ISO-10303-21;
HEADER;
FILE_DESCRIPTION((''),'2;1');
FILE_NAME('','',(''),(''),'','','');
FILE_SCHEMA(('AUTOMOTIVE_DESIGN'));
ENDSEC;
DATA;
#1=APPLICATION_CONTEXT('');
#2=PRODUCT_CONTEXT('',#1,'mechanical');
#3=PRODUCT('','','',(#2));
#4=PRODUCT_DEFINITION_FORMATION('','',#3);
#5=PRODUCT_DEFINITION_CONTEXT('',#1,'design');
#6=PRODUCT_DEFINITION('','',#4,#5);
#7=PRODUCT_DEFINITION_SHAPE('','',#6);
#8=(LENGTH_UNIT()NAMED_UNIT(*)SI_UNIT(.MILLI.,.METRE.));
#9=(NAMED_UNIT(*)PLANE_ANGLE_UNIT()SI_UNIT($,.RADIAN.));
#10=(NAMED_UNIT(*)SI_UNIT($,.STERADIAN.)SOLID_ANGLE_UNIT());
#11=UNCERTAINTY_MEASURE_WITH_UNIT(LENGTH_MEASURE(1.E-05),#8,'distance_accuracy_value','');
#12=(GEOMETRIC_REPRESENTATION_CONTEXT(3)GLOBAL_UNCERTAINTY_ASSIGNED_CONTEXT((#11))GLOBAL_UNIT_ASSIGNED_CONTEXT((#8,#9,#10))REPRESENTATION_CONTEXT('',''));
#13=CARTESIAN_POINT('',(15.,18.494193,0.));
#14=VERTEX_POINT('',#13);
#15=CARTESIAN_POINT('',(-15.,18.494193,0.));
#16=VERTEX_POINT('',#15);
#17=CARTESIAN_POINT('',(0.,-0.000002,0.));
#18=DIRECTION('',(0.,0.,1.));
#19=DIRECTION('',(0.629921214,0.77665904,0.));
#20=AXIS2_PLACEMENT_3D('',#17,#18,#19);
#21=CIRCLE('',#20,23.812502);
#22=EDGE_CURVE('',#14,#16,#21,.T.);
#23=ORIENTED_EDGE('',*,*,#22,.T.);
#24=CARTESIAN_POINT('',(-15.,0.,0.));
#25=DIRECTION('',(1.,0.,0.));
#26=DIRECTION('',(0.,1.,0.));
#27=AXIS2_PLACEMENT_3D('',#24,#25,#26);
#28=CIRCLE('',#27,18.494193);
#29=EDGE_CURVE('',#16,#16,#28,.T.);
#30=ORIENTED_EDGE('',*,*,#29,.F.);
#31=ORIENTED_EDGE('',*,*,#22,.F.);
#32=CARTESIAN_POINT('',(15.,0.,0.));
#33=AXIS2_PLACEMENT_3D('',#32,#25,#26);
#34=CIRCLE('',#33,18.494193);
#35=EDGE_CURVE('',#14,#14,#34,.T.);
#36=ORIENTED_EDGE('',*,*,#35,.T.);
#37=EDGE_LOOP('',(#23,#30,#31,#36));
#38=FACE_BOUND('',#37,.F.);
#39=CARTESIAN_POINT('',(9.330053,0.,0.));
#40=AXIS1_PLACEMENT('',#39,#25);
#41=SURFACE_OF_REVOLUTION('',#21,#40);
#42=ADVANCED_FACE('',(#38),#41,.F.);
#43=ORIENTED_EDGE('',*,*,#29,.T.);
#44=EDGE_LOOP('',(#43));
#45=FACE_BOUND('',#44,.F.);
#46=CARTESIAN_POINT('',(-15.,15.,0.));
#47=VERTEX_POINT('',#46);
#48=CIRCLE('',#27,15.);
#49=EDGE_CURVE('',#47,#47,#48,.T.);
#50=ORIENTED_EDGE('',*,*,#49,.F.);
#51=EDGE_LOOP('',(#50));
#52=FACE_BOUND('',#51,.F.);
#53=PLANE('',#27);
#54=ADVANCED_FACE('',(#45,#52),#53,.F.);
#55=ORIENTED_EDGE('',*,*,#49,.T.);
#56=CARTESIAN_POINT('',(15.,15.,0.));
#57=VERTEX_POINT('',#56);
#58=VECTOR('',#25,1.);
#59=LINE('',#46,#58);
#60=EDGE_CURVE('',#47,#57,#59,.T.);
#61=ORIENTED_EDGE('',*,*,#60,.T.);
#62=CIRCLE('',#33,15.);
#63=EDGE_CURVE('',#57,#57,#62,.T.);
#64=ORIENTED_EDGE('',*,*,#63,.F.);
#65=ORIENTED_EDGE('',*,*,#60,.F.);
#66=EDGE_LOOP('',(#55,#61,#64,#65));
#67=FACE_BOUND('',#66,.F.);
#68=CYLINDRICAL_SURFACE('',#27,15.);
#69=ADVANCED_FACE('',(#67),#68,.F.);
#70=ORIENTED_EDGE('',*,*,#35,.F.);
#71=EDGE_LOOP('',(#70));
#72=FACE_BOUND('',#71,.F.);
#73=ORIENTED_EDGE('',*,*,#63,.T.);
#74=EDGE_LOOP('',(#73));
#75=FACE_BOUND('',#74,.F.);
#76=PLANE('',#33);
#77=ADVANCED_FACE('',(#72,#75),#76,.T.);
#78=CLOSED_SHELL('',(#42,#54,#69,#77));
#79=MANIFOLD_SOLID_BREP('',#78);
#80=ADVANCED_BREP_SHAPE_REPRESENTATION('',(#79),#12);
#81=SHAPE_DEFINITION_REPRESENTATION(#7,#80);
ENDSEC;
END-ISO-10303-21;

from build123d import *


with BuildPart() as f1:
    # F0 (on Top) → F1 (revolve)
    with BuildSketch(Plane.XY):
        with BuildLine():
            Line((15, 15), (15, 18.494193))
            ThreePointArc((15, 18.494193), (0, 23.8125), (-15, 18.494193))
            Line((-15, 18.494193), (-15, 15))
            Line((-15, 15), (15, 15))
        make_face()
    revolve(axis=Axis((9.330053, 0, 0), (1, 0, 0)))


solid = f1.part
